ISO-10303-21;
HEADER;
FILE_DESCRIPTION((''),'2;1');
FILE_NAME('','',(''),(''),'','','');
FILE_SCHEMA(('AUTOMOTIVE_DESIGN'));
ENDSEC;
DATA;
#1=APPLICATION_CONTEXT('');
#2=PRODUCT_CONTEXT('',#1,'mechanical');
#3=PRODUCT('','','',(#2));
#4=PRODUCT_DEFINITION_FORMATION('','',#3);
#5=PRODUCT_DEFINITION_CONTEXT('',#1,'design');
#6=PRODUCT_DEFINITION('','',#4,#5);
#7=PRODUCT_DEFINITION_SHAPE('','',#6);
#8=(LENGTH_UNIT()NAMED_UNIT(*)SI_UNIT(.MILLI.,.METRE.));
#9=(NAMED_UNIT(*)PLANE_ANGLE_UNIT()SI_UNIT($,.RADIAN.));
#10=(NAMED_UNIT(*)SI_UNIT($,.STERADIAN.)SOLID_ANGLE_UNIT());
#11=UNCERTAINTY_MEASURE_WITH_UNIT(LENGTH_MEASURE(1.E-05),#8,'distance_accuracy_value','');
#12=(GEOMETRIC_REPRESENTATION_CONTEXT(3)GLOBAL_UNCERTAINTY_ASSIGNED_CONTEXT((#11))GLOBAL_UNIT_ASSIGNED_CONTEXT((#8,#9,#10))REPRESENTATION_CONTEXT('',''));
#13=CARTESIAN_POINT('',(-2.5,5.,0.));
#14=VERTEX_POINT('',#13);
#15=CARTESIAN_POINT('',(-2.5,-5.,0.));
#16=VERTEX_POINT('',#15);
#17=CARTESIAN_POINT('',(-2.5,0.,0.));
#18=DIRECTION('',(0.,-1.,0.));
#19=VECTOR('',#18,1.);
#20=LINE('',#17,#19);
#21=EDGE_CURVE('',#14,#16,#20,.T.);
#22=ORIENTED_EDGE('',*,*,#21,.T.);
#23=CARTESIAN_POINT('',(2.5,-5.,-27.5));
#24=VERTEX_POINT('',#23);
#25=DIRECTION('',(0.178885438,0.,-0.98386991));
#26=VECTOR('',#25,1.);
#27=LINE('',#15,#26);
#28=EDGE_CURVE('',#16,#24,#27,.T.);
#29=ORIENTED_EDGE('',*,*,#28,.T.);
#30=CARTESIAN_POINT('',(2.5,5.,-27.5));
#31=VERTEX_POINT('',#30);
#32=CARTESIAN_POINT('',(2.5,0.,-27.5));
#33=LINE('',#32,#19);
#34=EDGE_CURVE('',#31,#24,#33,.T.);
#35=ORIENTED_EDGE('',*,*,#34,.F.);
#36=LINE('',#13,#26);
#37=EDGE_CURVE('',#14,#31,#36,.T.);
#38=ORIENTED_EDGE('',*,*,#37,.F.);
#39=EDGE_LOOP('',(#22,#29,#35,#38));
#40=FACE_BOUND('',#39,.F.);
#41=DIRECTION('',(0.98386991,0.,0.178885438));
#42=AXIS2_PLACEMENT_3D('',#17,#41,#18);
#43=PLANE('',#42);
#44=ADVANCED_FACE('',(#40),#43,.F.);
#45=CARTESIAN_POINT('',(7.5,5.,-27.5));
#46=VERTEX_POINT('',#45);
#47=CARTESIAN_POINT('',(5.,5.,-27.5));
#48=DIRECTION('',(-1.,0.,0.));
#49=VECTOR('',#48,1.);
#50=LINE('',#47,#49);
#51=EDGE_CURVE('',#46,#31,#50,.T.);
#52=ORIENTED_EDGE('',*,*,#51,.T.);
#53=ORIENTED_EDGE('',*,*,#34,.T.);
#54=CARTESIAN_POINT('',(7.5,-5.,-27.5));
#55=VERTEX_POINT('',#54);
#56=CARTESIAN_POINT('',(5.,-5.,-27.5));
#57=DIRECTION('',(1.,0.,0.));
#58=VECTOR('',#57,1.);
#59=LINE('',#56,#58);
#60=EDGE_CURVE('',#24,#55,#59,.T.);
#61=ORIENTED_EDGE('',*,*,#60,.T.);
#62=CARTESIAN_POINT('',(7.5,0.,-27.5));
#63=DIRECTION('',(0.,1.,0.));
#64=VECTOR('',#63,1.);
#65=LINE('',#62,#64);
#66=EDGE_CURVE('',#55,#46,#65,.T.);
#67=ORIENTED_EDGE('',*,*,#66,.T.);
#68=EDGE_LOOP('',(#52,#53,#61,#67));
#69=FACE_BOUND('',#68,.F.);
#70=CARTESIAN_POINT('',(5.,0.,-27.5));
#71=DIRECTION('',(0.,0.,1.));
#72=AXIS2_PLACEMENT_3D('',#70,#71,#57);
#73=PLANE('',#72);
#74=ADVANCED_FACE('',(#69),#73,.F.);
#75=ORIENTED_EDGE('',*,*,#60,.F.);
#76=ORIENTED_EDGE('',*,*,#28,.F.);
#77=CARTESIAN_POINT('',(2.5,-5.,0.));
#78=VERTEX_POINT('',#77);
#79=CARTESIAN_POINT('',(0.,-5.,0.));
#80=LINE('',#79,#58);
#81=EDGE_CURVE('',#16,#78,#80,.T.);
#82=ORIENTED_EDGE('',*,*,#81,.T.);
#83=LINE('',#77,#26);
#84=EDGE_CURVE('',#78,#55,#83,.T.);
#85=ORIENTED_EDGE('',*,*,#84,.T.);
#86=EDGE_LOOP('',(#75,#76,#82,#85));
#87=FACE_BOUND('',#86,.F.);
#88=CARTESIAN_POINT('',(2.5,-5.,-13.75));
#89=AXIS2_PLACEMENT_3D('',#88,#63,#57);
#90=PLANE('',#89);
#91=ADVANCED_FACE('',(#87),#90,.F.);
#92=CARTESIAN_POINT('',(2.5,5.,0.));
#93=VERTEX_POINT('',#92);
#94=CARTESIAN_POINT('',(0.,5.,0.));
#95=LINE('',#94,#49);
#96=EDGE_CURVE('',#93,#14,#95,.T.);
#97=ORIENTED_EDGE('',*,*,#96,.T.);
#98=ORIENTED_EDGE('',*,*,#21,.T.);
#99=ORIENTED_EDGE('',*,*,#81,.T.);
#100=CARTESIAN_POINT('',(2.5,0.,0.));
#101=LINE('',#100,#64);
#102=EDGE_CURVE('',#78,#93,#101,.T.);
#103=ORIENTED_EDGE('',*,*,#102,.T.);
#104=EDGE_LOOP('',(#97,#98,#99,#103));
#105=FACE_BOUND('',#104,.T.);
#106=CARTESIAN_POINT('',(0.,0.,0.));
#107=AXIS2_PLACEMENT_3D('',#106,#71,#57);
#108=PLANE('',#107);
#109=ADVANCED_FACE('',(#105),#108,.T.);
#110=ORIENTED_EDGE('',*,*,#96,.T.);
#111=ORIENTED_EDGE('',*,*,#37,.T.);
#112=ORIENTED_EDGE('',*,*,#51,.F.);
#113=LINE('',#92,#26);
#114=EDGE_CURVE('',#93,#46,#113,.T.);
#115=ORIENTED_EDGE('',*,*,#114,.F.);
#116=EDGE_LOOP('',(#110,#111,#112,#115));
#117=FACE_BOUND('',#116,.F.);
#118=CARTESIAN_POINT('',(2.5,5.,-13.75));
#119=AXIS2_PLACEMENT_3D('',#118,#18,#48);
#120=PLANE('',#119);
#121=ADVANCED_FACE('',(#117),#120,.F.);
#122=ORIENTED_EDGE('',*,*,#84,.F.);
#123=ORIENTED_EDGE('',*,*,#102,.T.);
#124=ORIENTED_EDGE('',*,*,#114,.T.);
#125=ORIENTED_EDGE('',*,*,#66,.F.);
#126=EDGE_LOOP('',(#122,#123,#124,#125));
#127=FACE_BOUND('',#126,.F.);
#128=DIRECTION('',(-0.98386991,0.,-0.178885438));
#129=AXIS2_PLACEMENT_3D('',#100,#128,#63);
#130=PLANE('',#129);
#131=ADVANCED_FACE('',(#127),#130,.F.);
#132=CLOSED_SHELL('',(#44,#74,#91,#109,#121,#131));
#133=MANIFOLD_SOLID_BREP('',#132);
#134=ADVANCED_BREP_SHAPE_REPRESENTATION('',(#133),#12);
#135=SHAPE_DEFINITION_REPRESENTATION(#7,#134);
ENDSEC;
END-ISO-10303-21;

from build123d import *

# Parameters (mm, degrees)
F0_W = 5
F0_H = 10


with BuildPart() as f2:
    # F2: sweep along a path in F1
    with BuildLine(Plane.XZ) as f2_path:
        Line((0, 0), (5, -27.5))
    # F0 (on Top) → F2 (sweep)
    with BuildSketch(Plane.XY):
        Rectangle(F0_W, F0_H)
    sweep(path=f2_path.line)


solid = f2.part
